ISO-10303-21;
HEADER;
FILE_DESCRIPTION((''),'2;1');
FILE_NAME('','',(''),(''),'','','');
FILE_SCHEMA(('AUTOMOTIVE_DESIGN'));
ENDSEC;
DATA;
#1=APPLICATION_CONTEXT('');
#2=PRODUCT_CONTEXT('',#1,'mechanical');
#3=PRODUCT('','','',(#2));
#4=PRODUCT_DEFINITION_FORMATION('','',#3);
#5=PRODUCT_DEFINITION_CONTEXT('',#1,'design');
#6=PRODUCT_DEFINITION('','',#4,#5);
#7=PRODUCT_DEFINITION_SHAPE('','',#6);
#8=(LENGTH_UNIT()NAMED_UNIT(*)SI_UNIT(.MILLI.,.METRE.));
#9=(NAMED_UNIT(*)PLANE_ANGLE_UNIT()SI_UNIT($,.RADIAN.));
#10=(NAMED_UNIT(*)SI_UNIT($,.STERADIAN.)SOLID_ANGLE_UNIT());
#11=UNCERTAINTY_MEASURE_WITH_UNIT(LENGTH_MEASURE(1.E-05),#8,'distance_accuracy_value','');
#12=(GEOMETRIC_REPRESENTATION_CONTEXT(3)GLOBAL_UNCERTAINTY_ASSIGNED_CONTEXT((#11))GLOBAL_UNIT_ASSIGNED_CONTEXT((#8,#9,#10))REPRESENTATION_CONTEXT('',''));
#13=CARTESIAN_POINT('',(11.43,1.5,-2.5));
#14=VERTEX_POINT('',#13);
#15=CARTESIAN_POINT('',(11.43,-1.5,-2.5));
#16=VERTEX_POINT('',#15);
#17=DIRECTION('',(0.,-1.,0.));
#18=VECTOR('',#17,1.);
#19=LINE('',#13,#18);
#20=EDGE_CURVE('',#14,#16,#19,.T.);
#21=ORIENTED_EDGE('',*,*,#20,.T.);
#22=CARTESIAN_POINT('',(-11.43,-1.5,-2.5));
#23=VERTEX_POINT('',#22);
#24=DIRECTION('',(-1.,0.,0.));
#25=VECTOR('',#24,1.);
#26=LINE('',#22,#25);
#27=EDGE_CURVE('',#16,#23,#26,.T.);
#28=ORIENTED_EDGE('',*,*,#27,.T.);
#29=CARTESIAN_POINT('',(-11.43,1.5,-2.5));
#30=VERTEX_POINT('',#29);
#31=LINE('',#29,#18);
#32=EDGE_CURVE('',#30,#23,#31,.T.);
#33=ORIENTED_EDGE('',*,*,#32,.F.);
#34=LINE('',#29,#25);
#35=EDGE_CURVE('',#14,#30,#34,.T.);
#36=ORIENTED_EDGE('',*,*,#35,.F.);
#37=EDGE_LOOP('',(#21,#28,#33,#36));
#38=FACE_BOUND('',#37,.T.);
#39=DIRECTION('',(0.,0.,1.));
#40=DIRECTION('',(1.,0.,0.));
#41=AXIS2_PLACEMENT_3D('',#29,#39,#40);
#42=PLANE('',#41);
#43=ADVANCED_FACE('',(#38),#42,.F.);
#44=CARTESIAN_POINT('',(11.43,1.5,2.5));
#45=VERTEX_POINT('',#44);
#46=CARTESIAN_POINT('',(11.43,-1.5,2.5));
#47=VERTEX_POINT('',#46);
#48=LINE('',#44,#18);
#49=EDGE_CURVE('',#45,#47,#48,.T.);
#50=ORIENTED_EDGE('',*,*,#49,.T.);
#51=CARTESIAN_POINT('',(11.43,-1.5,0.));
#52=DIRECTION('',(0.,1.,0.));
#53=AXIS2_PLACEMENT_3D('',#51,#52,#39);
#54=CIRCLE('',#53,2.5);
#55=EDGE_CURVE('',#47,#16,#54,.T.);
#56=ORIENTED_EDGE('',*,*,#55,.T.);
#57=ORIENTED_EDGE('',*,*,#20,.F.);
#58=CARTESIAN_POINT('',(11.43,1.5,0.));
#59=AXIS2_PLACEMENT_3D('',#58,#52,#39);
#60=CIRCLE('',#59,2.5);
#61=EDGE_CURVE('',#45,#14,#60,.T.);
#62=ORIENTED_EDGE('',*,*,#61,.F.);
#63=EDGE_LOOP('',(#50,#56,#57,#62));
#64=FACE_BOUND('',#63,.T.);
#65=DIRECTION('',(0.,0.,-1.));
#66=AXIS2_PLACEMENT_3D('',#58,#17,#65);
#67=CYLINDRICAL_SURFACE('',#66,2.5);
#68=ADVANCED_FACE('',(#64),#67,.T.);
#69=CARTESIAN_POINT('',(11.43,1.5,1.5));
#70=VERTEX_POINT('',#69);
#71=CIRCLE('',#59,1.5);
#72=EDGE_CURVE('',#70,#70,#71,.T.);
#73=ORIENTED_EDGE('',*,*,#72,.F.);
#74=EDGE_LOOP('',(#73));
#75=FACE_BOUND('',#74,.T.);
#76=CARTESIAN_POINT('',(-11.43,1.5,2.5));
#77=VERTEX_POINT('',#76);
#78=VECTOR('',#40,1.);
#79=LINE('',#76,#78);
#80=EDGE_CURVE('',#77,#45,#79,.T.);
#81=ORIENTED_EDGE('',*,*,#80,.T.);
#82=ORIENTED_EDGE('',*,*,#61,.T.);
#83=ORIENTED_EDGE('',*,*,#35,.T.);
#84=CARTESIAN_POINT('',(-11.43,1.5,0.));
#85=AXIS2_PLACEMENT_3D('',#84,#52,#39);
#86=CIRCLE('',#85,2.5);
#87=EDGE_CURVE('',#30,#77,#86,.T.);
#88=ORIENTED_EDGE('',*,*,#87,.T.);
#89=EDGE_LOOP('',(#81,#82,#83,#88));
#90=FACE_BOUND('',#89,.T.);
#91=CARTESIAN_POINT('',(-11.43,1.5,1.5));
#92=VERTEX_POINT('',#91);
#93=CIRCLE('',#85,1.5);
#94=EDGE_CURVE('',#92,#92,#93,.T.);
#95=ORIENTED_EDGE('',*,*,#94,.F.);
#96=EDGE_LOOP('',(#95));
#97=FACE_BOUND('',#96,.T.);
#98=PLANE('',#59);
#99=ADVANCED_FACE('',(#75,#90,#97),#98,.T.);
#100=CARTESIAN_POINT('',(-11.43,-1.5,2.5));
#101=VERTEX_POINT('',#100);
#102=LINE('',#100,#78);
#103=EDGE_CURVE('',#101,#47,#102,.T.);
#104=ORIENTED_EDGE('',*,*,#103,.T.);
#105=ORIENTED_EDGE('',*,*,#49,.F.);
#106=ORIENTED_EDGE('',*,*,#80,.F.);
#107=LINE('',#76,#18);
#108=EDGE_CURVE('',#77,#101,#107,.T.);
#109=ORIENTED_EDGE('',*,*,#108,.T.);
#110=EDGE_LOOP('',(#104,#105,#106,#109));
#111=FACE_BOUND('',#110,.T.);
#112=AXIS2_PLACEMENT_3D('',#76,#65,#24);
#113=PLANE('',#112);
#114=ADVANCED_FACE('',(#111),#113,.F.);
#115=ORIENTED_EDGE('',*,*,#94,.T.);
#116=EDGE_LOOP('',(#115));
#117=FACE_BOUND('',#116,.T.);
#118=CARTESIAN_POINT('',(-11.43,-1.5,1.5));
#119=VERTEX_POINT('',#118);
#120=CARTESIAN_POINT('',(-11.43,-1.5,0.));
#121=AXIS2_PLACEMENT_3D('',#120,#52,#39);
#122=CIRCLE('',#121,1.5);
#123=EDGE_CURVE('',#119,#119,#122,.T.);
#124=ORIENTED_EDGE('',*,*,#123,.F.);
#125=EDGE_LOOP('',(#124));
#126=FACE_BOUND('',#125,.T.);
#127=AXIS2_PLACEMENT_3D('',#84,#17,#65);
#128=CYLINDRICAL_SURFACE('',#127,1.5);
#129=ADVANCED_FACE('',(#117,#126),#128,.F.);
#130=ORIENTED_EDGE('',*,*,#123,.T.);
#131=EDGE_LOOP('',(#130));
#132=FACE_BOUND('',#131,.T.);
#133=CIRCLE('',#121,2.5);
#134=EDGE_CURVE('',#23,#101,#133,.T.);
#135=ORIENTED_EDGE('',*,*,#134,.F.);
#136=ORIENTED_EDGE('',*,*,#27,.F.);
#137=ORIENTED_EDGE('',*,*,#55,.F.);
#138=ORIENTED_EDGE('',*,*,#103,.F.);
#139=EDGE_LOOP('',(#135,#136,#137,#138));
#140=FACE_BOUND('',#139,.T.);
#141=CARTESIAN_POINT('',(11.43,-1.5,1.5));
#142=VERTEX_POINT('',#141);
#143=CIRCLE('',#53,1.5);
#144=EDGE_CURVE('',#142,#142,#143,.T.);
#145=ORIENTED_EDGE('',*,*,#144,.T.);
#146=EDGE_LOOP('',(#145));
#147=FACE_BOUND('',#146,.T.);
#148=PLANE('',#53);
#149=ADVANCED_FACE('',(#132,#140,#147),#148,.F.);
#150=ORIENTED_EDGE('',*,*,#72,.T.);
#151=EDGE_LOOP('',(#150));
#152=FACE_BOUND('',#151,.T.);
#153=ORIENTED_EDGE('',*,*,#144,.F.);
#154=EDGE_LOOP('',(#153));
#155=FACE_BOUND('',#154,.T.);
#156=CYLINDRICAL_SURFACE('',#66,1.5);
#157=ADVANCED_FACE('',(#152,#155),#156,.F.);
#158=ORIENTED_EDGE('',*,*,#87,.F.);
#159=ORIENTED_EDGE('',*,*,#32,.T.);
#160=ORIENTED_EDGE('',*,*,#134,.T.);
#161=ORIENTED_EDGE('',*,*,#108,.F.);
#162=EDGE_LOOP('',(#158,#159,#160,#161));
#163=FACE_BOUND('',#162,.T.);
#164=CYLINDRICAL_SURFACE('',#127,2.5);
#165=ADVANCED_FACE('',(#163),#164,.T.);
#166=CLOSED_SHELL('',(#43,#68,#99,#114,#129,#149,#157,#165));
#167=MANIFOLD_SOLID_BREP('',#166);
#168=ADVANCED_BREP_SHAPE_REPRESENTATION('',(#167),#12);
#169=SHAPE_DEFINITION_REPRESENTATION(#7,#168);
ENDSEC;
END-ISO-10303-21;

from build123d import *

# Parameters (mm, degrees)
SKETCH1_R           = 1.5
BOSS_EXTRUDE2_DEPTH = 1.5


with BuildPart() as part:
    # Sketch1 → Boss-Extrude2 (new body, symmetric)
    with BuildSketch(Plane(origin=(0, 0, 0), x_dir=(1, 0, 0), z_dir=(0, 1, 0))):
        with BuildLine():
            Line((-11.43, 2.5), (11.43, 2.5))
            ThreePointArc((11.43, 2.5), (13.93, 0), (11.43, -2.5))
            Line((11.43, -2.5), (-11.43, -2.5))
            ThreePointArc((-11.43, -2.5), (-13.93, 0), (-11.43, 2.5))
        make_face()
        with Locations((-11.43, 0)):
            Circle(SKETCH1_R, mode=Mode.SUBTRACT)
        with Locations((11.43, 0)):
            Circle(SKETCH1_R, mode=Mode.SUBTRACT)
    extrude(amount=BOSS_EXTRUDE2_DEPTH, both=True)


solid = part.part
